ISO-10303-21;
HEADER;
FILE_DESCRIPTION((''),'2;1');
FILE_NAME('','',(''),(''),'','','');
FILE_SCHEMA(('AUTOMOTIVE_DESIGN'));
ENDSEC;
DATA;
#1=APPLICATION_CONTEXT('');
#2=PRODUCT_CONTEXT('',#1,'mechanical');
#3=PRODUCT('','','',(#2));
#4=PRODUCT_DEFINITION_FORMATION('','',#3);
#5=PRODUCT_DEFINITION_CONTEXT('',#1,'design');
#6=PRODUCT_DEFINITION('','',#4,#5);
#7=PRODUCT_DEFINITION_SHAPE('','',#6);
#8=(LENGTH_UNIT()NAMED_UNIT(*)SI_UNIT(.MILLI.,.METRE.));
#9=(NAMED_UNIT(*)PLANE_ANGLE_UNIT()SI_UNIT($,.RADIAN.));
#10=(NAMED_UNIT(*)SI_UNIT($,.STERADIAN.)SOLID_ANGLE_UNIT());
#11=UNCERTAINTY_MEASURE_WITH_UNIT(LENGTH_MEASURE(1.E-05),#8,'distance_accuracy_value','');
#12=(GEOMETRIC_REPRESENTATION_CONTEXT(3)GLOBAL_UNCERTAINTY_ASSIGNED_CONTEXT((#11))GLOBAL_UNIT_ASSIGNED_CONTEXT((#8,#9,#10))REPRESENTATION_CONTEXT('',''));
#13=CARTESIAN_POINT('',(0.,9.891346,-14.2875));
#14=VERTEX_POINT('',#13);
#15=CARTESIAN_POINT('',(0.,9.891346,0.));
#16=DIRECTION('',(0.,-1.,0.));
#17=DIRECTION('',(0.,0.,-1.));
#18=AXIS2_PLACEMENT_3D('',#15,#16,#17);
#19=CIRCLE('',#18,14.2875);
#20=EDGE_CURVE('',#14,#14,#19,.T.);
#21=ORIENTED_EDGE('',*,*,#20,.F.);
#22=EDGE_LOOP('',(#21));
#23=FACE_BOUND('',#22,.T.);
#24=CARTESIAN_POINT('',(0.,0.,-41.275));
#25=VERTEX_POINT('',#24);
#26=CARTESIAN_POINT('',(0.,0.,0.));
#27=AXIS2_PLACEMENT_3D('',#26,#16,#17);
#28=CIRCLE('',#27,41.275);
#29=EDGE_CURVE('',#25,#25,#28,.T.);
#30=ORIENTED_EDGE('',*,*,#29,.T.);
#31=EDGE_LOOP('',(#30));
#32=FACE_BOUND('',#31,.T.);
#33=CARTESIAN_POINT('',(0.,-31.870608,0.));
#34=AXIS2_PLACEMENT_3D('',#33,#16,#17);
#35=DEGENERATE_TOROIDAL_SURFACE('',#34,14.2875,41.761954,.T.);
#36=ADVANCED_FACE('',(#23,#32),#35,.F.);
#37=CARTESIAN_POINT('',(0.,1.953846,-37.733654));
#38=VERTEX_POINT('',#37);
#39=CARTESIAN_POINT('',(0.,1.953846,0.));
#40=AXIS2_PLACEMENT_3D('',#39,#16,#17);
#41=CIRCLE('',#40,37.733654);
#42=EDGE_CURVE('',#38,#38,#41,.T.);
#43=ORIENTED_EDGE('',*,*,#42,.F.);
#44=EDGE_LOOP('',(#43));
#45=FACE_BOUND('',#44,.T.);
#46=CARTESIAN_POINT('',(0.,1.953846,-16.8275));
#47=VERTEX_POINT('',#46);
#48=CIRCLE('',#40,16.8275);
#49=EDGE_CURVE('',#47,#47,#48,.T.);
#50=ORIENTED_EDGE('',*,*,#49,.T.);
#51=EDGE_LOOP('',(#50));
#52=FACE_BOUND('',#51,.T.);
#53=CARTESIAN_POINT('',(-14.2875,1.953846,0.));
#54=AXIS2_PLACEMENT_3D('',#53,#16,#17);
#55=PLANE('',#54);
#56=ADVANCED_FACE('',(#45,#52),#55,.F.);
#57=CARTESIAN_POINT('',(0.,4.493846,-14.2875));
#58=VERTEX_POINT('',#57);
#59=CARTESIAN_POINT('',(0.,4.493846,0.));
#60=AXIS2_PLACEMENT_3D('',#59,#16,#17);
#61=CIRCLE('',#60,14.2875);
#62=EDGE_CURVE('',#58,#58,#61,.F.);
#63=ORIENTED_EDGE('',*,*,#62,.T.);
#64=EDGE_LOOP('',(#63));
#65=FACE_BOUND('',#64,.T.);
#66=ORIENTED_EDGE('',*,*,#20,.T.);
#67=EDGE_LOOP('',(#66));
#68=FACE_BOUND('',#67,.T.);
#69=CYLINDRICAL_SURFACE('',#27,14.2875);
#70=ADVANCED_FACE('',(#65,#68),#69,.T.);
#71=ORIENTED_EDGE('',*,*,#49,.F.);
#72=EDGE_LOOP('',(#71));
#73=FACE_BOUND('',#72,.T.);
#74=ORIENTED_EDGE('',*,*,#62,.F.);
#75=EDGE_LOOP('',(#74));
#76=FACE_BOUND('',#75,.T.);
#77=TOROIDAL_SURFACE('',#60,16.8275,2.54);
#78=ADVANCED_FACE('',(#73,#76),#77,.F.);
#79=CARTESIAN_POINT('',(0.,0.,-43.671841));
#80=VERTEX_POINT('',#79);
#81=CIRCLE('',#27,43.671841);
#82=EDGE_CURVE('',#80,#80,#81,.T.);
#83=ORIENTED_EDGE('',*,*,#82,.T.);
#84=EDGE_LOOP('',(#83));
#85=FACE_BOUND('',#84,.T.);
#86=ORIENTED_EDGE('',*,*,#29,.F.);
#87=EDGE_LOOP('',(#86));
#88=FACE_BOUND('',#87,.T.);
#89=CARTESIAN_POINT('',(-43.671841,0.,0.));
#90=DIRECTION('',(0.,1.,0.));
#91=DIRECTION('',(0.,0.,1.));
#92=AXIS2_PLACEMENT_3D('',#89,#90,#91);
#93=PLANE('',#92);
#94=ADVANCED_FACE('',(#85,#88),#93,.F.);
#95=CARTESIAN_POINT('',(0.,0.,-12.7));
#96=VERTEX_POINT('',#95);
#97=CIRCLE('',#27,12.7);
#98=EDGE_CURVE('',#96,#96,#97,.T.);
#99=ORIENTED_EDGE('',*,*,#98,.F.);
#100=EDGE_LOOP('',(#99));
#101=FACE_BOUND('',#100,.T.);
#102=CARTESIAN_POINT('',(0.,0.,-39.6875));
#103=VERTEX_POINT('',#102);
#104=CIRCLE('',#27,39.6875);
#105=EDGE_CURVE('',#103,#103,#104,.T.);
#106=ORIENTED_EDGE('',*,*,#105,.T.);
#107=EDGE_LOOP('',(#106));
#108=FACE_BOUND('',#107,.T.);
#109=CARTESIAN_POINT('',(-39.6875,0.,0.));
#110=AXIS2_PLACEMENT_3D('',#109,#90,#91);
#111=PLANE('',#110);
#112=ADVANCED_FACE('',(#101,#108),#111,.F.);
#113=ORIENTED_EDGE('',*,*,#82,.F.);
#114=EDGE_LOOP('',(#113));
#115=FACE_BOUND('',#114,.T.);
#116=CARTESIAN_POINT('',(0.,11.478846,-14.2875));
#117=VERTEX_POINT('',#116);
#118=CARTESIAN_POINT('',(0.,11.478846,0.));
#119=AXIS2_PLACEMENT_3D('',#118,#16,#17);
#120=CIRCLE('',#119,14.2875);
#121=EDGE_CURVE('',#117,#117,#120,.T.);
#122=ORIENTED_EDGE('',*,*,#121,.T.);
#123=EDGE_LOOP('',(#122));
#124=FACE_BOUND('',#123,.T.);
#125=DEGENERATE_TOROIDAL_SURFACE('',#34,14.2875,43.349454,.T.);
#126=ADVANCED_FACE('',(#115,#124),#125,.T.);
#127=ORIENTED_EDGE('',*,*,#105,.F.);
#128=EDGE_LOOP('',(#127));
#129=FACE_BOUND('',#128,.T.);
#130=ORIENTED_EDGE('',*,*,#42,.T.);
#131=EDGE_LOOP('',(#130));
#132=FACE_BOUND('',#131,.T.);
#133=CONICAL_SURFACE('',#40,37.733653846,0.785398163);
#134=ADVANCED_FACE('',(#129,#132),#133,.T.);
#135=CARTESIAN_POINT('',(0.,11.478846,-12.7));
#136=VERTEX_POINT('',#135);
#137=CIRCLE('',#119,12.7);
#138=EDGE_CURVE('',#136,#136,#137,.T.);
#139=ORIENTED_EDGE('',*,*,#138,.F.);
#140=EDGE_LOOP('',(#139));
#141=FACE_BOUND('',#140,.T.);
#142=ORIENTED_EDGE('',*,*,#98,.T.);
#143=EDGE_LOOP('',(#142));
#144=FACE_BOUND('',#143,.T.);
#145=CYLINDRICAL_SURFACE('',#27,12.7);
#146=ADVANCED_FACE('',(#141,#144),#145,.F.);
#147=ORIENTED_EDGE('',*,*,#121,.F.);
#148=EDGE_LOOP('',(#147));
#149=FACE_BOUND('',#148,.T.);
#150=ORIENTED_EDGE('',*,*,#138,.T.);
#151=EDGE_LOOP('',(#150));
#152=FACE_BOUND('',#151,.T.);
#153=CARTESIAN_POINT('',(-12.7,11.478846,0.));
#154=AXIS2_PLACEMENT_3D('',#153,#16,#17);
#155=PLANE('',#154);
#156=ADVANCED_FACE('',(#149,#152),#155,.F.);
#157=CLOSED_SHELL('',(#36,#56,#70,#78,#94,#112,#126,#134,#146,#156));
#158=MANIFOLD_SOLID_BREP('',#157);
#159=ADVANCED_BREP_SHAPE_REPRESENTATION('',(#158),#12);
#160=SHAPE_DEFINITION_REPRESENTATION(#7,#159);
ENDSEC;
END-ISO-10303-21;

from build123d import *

# Parameters (mm, degrees)
FILLET1_R = 2.54


with BuildPart() as part:
    # Sketch1 → Revolve1 (revolve)
    with BuildSketch(Plane.XY):
        with BuildLine():
            Line((-12.7, 0), (-12.7, 11.478846154))
            Line((-12.7, 11.478846154), (-14.2875, 11.478846154))
            ThreePointArc((-14.2875, 11.478846154), (-30.060922467, 8.507285925), (-43.671841345, 0))
            Line((-43.671841345, 0), (-41.275, 0))
            ThreePointArc((-41.275, 0), (-28.659033364, 7.340612874), (-14.2875, 9.891346154))
            Line((-14.2875, 9.891346154), (-14.2875, 1.953846154))
            Line((-14.2875, 1.953846154), (-37.733653846, 1.953846154))
            Line((-37.733653846, 1.953846154), (-39.6875, 0))
            Line((-39.6875, 0), (-12.7, 0))
        make_face()
    revolve(axis=Axis((0, 0, 0), (0, 1, 0)))

    # Fillet1
    fillet1_edges = [part.edges().sort_by_distance(p)[0] for p in [
        (14.2875, 1.953846154, 0),
    ]]
    fillet(fillet1_edges, radius=FILLET1_R)


solid = part.part
